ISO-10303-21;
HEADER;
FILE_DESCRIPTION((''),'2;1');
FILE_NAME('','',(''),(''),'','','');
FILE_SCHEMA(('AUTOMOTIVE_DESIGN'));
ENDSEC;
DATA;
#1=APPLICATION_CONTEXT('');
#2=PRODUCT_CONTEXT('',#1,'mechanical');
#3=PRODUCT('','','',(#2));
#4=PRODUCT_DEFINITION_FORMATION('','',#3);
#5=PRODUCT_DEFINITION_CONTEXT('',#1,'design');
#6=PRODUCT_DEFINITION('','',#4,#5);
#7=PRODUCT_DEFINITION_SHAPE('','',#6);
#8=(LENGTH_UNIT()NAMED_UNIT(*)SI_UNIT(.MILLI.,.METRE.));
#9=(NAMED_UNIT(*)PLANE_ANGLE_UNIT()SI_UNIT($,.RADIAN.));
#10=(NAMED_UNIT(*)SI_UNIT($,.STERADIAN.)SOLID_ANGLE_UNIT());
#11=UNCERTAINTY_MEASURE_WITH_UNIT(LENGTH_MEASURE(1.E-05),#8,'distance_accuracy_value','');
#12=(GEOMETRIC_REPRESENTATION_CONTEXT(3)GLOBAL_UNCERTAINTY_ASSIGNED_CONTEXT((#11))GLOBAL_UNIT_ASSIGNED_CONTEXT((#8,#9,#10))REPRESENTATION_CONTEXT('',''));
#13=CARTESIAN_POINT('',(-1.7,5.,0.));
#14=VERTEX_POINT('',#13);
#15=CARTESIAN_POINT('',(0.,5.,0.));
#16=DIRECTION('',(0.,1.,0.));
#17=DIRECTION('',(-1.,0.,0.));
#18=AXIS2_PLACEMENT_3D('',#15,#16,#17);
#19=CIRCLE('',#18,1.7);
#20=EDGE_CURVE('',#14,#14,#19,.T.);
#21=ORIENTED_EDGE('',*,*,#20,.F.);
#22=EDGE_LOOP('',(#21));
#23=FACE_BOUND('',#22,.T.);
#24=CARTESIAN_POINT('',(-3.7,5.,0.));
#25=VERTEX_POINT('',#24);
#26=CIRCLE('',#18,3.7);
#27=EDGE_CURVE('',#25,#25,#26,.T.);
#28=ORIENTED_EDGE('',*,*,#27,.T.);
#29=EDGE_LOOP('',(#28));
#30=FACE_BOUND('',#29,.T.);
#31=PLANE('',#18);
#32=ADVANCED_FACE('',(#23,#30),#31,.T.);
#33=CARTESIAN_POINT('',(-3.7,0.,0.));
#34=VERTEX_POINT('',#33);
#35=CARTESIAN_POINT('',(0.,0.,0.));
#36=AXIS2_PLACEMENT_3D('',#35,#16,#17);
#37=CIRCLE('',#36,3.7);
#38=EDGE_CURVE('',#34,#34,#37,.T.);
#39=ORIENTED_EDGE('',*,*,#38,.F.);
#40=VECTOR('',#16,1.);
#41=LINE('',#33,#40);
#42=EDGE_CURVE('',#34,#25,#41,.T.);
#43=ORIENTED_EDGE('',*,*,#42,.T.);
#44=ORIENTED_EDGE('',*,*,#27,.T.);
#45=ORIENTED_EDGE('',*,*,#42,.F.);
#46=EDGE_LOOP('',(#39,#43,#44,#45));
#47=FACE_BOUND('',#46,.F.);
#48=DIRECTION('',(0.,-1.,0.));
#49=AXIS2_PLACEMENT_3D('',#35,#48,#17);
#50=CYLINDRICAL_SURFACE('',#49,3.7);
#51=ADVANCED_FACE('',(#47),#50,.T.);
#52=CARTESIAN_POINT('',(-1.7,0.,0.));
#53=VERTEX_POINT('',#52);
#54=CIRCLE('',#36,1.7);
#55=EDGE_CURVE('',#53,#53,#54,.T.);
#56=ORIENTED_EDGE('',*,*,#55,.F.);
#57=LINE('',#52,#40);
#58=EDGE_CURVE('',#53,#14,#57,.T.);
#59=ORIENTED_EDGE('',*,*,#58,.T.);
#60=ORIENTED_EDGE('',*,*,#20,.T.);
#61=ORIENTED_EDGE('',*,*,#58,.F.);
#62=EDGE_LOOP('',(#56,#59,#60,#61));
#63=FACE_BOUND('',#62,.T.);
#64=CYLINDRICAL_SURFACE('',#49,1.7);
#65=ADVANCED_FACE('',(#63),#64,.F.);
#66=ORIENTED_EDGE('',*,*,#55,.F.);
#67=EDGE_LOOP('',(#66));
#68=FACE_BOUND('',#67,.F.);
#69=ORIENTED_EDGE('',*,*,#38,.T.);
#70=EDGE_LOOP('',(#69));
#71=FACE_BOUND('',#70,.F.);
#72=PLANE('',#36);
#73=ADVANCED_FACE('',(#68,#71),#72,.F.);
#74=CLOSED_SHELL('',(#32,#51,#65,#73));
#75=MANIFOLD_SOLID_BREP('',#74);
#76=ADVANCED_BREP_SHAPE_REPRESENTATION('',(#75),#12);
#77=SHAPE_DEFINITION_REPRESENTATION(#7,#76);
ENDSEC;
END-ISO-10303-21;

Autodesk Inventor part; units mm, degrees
ref_plane "YZ Plane" through (0, 0, 0) normal (1, 0, 0) x (0, 1, 0)
ref_plane "XZ Plane" through (0, 0, 0) normal (0, 1, 0) x (-1, 0, 0)
ref_plane "XY Plane" through (0, 0, 0) normal (0, 0, 1) x (1, 0, 0)
sketch "Sketch1" plane through (0, 0, 0) normal (0, 1, 0) x (-1, 0, 0)
  circle A0 centre (0, 0) radius 1.7
  circle A1 centre (0, 0) radius 3.7
  dimension "d0" = 3.4
  dimension "d1" = 2
extrude "Extrusion1" add sketch "Sketch1" along normal blind 5
properties part number "Mainboard-spacer"
